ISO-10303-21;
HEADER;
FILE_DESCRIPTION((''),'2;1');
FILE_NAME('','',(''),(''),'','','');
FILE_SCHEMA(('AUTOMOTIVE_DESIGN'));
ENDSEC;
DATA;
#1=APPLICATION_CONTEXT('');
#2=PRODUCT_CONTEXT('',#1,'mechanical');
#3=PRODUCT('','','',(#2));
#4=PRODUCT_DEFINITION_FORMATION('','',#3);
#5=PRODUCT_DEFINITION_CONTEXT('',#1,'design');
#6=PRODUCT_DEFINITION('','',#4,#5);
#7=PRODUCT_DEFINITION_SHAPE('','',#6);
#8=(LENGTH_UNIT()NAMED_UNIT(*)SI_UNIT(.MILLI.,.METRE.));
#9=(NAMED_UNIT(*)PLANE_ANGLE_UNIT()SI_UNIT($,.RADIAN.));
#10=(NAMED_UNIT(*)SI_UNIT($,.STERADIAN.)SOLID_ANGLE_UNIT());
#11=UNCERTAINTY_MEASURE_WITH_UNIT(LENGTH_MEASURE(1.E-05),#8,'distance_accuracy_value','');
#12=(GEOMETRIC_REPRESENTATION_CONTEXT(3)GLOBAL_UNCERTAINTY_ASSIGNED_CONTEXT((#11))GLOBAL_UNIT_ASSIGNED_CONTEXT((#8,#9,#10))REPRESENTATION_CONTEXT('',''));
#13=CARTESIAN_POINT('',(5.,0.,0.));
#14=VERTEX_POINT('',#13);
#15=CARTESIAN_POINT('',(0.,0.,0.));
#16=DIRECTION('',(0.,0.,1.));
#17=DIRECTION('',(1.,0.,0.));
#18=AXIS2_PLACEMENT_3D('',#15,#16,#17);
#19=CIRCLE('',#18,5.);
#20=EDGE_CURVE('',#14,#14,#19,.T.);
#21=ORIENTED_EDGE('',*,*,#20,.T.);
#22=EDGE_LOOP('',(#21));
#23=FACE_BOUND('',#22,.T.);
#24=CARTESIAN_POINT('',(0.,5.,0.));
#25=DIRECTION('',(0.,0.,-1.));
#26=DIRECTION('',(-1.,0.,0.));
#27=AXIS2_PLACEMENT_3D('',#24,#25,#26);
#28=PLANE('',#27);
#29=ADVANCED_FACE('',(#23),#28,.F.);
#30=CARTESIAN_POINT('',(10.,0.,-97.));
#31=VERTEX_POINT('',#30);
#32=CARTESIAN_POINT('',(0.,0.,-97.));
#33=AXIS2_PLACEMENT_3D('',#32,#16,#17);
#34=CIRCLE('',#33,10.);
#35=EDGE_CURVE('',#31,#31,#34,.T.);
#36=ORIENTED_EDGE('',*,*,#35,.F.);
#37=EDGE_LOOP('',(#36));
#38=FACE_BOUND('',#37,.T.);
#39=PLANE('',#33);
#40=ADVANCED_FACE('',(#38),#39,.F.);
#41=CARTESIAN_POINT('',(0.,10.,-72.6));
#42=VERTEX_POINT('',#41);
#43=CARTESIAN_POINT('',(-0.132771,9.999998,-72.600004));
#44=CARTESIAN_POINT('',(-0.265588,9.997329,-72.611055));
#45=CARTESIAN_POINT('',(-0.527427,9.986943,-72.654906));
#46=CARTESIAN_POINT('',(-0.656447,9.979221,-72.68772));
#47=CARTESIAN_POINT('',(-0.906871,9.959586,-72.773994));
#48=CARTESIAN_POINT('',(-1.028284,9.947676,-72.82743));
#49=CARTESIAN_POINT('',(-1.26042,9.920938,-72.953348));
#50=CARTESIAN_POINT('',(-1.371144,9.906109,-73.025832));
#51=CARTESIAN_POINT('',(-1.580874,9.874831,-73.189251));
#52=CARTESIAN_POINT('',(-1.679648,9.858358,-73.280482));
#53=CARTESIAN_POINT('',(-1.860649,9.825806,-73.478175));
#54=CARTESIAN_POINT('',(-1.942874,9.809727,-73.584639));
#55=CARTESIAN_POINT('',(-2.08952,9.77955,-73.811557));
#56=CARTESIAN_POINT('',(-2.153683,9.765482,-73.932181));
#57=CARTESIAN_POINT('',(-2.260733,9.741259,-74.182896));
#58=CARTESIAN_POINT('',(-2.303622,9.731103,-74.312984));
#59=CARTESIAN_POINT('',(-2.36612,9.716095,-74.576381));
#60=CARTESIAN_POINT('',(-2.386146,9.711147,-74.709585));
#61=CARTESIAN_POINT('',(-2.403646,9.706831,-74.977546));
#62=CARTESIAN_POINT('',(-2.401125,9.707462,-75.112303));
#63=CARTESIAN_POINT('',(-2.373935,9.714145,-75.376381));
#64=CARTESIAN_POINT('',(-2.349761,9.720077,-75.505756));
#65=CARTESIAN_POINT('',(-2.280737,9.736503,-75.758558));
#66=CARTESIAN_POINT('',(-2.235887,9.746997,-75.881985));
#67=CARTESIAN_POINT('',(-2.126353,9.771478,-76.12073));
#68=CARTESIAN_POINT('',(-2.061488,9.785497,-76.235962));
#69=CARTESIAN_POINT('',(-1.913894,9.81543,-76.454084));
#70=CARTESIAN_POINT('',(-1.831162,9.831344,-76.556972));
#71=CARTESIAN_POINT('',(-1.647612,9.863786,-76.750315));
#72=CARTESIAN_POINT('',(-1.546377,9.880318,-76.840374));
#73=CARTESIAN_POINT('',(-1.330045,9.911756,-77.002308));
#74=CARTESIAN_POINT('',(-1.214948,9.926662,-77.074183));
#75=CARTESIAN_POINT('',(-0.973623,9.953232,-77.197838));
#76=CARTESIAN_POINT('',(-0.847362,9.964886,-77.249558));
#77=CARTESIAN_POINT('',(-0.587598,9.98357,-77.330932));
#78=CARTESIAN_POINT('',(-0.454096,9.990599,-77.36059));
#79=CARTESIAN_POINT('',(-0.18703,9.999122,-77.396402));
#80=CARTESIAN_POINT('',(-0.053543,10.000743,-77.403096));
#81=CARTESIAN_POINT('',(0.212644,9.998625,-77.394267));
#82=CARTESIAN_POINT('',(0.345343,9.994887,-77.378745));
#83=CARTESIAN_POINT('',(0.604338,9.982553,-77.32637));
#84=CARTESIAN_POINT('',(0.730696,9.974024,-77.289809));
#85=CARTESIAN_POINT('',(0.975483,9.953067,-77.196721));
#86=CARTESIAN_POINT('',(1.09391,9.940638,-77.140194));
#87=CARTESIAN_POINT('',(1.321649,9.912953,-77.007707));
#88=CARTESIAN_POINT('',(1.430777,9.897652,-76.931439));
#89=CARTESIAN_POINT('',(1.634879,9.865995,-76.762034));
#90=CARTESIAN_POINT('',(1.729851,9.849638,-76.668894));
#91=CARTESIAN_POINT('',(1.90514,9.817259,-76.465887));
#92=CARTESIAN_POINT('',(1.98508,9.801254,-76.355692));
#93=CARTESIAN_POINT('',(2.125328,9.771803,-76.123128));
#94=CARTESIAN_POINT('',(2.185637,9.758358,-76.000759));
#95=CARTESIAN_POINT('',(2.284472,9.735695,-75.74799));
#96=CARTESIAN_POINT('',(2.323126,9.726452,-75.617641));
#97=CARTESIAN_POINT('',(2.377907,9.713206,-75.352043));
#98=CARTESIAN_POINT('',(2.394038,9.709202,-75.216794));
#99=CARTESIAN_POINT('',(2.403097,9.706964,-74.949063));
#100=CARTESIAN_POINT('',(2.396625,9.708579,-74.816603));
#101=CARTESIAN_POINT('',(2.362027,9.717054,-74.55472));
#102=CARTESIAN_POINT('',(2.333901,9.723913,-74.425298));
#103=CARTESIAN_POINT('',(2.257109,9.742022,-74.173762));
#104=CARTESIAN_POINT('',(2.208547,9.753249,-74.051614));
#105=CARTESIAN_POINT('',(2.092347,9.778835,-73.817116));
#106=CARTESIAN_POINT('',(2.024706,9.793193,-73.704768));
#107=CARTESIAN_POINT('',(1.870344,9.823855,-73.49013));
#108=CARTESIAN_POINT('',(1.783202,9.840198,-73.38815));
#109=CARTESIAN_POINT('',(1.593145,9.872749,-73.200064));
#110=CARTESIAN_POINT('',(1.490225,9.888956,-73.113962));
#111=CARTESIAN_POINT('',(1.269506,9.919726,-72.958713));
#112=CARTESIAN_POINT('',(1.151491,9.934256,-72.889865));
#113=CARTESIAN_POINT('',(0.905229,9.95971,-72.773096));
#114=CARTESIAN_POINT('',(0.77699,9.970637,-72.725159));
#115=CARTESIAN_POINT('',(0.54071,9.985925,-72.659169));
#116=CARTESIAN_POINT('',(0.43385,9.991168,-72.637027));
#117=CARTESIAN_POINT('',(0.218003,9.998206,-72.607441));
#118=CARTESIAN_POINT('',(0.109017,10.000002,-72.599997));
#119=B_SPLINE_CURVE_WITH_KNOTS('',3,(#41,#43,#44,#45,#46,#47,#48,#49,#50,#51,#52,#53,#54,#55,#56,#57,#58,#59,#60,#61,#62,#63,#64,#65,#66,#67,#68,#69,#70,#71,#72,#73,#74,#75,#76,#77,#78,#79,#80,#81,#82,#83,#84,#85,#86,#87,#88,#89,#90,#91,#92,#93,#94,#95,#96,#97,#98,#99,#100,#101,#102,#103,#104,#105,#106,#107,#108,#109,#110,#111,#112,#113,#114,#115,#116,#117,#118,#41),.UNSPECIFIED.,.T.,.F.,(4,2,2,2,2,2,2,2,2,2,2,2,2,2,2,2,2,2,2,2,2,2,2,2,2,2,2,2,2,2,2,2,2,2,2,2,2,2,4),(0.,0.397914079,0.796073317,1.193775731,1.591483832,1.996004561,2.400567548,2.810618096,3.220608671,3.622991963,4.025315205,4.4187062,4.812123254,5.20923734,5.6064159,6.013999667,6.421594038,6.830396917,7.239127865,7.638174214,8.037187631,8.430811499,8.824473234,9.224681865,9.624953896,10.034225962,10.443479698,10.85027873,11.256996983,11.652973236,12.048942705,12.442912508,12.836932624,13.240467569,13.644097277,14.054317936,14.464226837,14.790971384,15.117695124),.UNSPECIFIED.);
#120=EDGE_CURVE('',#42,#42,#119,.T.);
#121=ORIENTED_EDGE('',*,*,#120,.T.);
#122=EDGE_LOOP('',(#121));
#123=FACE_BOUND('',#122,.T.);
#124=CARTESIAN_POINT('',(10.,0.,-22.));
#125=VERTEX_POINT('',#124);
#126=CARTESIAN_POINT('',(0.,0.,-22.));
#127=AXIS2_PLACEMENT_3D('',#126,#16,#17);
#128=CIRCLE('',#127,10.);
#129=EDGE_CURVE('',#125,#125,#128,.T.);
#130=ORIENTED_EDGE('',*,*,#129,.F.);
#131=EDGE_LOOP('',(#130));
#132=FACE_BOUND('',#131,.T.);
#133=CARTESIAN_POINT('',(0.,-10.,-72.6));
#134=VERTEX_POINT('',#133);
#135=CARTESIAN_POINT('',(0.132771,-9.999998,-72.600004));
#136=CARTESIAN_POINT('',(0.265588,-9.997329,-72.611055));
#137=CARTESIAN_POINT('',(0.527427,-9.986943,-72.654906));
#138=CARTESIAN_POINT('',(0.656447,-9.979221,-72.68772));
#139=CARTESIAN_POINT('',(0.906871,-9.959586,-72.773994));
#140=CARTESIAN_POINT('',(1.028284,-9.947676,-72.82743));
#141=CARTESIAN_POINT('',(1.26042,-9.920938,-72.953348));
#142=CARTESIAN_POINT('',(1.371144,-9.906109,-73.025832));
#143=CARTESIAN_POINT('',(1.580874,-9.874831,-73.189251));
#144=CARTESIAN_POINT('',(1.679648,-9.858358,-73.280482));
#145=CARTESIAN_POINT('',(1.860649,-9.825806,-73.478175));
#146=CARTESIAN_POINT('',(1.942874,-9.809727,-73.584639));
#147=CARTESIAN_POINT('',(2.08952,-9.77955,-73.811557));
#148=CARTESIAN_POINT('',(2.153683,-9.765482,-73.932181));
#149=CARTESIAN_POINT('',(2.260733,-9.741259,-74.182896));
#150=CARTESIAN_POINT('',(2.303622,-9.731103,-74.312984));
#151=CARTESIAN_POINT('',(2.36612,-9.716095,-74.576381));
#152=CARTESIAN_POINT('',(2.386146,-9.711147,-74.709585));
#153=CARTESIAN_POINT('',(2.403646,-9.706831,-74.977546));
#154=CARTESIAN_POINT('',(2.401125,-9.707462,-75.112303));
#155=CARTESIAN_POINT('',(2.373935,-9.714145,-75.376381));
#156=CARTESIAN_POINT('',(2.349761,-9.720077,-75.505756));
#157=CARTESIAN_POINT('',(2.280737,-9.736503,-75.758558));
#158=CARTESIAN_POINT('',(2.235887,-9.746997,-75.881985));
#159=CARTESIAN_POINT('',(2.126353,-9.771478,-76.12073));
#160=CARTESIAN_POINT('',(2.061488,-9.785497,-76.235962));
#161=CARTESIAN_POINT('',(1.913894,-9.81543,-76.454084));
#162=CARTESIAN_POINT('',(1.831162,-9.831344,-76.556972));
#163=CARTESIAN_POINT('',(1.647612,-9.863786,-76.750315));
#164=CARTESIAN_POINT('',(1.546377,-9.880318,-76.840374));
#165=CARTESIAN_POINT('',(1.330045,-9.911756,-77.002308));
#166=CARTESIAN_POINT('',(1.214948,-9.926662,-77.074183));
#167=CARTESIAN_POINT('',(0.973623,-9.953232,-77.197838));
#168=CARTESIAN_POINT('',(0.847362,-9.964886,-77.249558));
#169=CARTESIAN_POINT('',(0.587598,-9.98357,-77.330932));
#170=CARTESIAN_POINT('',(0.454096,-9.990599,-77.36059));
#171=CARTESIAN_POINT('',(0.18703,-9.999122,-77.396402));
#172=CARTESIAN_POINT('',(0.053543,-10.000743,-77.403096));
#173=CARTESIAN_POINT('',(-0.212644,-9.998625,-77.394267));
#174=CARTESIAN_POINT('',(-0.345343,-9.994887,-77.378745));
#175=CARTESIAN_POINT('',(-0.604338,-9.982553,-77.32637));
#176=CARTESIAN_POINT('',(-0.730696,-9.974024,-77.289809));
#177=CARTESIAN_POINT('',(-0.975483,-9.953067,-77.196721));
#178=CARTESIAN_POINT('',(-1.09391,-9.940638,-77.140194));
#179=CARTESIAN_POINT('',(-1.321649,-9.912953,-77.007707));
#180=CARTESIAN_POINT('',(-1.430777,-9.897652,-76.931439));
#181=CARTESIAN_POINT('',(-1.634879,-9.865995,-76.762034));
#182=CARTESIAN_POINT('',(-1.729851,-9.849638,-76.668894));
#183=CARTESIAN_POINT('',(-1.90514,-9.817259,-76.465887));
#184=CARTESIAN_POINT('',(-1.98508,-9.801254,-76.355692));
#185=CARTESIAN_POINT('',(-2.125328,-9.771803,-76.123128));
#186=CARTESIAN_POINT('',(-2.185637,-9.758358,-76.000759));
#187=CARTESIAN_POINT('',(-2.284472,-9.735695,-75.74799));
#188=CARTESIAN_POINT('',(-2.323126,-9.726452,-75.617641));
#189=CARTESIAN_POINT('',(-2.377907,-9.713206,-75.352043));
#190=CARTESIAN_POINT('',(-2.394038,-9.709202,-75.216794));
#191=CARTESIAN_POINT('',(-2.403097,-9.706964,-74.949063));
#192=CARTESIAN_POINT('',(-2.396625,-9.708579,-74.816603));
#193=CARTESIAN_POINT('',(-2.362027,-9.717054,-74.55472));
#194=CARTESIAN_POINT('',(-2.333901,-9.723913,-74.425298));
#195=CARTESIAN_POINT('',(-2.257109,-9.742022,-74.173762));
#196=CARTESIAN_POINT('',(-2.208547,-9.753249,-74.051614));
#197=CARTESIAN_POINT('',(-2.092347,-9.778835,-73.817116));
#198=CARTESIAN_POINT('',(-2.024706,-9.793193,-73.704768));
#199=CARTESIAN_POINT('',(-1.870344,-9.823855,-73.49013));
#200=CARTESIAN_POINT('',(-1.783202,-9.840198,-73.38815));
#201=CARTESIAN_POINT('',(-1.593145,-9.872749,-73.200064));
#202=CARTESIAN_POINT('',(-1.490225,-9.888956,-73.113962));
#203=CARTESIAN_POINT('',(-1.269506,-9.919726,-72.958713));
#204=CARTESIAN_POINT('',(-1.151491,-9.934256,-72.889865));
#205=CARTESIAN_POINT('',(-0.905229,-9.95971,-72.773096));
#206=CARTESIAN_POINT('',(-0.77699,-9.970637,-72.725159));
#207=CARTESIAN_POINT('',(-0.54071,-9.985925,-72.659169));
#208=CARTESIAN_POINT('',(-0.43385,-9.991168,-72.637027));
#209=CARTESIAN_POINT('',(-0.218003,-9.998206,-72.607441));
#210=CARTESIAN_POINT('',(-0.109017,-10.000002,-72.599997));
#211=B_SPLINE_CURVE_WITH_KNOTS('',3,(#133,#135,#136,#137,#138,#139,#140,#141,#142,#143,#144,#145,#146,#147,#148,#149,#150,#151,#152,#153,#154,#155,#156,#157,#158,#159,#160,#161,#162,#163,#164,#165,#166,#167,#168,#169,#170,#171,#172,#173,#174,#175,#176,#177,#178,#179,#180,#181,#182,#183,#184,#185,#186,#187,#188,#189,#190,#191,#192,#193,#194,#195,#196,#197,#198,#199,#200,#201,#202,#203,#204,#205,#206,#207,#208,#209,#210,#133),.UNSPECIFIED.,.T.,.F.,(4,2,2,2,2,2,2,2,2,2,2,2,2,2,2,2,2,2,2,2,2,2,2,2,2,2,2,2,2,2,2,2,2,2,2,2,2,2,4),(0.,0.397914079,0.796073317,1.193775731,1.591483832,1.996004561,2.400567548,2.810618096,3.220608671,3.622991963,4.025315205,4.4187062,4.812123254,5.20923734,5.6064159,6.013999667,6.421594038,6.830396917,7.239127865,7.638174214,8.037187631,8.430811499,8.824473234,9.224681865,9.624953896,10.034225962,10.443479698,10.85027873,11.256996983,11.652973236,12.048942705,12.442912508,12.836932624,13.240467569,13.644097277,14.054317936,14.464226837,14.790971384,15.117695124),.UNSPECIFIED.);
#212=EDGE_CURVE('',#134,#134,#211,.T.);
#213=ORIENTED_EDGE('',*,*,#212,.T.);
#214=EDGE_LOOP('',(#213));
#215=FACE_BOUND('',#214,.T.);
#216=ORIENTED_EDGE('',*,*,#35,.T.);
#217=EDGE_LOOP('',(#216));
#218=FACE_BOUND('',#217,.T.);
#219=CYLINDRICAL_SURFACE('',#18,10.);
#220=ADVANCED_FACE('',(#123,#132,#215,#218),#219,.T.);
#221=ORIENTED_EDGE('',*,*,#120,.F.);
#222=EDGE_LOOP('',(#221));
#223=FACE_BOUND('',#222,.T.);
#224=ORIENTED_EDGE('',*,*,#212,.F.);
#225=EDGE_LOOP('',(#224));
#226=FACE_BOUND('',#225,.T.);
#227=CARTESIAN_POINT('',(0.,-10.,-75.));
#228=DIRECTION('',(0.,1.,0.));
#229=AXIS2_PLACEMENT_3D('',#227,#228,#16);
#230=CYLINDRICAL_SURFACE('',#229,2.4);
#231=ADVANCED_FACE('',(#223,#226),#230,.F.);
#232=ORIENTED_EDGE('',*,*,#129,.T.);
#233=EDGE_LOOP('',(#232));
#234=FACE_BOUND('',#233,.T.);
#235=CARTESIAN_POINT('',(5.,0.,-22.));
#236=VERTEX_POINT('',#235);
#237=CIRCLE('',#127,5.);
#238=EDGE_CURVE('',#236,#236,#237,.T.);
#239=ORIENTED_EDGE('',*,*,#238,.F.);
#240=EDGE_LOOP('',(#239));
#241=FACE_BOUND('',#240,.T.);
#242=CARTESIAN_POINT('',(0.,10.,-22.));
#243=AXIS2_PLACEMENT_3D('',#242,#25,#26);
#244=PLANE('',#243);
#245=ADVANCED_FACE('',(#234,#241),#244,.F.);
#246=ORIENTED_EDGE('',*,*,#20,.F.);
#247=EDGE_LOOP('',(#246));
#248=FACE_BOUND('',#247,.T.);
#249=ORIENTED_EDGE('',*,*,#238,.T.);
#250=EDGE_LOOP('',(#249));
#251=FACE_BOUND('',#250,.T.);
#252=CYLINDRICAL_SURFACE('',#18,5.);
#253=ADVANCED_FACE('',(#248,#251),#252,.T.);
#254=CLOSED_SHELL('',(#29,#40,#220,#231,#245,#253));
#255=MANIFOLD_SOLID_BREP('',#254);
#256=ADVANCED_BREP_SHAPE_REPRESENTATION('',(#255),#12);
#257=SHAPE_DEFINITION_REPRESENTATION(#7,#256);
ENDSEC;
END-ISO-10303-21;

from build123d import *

# Parameters (mm, degrees)
SKETCH2_R          = 2.4
CUT_EXTRUDE1_DEPTH = 10


with BuildPart() as part:
    # Sketch1 → Revolve1 (revolve)
    with BuildSketch(Plane(origin=(0, 0, 0), x_dir=(0, 0, -1), z_dir=(1, 0, 0)), mode=Mode.PRIVATE) as revolve1_sk:
        Polygon((0, 0), (97, 0), (97, 10), (22, 10), (22, 5), (0, 5), align=None)
    revolve(revolve1_sk.sketch.rotate(Axis((0, 0, 0), (0, 0, -1)), 90), axis=Axis((0, 0, 0), (0, 0, -1)))

    # Sketch2 → Cut-Extrude1 (cut, symmetric)
    with BuildSketch(Plane(origin=(0, 0, 0), x_dir=(1, 0, 0), z_dir=(0, 1, 0))):
        with Locations(Location((0, 75, 0), (0, 0, 270))):
            Circle(SKETCH2_R)
    extrude(amount=CUT_EXTRUDE1_DEPTH, both=True, mode=Mode.SUBTRACT)


solid = part.part
